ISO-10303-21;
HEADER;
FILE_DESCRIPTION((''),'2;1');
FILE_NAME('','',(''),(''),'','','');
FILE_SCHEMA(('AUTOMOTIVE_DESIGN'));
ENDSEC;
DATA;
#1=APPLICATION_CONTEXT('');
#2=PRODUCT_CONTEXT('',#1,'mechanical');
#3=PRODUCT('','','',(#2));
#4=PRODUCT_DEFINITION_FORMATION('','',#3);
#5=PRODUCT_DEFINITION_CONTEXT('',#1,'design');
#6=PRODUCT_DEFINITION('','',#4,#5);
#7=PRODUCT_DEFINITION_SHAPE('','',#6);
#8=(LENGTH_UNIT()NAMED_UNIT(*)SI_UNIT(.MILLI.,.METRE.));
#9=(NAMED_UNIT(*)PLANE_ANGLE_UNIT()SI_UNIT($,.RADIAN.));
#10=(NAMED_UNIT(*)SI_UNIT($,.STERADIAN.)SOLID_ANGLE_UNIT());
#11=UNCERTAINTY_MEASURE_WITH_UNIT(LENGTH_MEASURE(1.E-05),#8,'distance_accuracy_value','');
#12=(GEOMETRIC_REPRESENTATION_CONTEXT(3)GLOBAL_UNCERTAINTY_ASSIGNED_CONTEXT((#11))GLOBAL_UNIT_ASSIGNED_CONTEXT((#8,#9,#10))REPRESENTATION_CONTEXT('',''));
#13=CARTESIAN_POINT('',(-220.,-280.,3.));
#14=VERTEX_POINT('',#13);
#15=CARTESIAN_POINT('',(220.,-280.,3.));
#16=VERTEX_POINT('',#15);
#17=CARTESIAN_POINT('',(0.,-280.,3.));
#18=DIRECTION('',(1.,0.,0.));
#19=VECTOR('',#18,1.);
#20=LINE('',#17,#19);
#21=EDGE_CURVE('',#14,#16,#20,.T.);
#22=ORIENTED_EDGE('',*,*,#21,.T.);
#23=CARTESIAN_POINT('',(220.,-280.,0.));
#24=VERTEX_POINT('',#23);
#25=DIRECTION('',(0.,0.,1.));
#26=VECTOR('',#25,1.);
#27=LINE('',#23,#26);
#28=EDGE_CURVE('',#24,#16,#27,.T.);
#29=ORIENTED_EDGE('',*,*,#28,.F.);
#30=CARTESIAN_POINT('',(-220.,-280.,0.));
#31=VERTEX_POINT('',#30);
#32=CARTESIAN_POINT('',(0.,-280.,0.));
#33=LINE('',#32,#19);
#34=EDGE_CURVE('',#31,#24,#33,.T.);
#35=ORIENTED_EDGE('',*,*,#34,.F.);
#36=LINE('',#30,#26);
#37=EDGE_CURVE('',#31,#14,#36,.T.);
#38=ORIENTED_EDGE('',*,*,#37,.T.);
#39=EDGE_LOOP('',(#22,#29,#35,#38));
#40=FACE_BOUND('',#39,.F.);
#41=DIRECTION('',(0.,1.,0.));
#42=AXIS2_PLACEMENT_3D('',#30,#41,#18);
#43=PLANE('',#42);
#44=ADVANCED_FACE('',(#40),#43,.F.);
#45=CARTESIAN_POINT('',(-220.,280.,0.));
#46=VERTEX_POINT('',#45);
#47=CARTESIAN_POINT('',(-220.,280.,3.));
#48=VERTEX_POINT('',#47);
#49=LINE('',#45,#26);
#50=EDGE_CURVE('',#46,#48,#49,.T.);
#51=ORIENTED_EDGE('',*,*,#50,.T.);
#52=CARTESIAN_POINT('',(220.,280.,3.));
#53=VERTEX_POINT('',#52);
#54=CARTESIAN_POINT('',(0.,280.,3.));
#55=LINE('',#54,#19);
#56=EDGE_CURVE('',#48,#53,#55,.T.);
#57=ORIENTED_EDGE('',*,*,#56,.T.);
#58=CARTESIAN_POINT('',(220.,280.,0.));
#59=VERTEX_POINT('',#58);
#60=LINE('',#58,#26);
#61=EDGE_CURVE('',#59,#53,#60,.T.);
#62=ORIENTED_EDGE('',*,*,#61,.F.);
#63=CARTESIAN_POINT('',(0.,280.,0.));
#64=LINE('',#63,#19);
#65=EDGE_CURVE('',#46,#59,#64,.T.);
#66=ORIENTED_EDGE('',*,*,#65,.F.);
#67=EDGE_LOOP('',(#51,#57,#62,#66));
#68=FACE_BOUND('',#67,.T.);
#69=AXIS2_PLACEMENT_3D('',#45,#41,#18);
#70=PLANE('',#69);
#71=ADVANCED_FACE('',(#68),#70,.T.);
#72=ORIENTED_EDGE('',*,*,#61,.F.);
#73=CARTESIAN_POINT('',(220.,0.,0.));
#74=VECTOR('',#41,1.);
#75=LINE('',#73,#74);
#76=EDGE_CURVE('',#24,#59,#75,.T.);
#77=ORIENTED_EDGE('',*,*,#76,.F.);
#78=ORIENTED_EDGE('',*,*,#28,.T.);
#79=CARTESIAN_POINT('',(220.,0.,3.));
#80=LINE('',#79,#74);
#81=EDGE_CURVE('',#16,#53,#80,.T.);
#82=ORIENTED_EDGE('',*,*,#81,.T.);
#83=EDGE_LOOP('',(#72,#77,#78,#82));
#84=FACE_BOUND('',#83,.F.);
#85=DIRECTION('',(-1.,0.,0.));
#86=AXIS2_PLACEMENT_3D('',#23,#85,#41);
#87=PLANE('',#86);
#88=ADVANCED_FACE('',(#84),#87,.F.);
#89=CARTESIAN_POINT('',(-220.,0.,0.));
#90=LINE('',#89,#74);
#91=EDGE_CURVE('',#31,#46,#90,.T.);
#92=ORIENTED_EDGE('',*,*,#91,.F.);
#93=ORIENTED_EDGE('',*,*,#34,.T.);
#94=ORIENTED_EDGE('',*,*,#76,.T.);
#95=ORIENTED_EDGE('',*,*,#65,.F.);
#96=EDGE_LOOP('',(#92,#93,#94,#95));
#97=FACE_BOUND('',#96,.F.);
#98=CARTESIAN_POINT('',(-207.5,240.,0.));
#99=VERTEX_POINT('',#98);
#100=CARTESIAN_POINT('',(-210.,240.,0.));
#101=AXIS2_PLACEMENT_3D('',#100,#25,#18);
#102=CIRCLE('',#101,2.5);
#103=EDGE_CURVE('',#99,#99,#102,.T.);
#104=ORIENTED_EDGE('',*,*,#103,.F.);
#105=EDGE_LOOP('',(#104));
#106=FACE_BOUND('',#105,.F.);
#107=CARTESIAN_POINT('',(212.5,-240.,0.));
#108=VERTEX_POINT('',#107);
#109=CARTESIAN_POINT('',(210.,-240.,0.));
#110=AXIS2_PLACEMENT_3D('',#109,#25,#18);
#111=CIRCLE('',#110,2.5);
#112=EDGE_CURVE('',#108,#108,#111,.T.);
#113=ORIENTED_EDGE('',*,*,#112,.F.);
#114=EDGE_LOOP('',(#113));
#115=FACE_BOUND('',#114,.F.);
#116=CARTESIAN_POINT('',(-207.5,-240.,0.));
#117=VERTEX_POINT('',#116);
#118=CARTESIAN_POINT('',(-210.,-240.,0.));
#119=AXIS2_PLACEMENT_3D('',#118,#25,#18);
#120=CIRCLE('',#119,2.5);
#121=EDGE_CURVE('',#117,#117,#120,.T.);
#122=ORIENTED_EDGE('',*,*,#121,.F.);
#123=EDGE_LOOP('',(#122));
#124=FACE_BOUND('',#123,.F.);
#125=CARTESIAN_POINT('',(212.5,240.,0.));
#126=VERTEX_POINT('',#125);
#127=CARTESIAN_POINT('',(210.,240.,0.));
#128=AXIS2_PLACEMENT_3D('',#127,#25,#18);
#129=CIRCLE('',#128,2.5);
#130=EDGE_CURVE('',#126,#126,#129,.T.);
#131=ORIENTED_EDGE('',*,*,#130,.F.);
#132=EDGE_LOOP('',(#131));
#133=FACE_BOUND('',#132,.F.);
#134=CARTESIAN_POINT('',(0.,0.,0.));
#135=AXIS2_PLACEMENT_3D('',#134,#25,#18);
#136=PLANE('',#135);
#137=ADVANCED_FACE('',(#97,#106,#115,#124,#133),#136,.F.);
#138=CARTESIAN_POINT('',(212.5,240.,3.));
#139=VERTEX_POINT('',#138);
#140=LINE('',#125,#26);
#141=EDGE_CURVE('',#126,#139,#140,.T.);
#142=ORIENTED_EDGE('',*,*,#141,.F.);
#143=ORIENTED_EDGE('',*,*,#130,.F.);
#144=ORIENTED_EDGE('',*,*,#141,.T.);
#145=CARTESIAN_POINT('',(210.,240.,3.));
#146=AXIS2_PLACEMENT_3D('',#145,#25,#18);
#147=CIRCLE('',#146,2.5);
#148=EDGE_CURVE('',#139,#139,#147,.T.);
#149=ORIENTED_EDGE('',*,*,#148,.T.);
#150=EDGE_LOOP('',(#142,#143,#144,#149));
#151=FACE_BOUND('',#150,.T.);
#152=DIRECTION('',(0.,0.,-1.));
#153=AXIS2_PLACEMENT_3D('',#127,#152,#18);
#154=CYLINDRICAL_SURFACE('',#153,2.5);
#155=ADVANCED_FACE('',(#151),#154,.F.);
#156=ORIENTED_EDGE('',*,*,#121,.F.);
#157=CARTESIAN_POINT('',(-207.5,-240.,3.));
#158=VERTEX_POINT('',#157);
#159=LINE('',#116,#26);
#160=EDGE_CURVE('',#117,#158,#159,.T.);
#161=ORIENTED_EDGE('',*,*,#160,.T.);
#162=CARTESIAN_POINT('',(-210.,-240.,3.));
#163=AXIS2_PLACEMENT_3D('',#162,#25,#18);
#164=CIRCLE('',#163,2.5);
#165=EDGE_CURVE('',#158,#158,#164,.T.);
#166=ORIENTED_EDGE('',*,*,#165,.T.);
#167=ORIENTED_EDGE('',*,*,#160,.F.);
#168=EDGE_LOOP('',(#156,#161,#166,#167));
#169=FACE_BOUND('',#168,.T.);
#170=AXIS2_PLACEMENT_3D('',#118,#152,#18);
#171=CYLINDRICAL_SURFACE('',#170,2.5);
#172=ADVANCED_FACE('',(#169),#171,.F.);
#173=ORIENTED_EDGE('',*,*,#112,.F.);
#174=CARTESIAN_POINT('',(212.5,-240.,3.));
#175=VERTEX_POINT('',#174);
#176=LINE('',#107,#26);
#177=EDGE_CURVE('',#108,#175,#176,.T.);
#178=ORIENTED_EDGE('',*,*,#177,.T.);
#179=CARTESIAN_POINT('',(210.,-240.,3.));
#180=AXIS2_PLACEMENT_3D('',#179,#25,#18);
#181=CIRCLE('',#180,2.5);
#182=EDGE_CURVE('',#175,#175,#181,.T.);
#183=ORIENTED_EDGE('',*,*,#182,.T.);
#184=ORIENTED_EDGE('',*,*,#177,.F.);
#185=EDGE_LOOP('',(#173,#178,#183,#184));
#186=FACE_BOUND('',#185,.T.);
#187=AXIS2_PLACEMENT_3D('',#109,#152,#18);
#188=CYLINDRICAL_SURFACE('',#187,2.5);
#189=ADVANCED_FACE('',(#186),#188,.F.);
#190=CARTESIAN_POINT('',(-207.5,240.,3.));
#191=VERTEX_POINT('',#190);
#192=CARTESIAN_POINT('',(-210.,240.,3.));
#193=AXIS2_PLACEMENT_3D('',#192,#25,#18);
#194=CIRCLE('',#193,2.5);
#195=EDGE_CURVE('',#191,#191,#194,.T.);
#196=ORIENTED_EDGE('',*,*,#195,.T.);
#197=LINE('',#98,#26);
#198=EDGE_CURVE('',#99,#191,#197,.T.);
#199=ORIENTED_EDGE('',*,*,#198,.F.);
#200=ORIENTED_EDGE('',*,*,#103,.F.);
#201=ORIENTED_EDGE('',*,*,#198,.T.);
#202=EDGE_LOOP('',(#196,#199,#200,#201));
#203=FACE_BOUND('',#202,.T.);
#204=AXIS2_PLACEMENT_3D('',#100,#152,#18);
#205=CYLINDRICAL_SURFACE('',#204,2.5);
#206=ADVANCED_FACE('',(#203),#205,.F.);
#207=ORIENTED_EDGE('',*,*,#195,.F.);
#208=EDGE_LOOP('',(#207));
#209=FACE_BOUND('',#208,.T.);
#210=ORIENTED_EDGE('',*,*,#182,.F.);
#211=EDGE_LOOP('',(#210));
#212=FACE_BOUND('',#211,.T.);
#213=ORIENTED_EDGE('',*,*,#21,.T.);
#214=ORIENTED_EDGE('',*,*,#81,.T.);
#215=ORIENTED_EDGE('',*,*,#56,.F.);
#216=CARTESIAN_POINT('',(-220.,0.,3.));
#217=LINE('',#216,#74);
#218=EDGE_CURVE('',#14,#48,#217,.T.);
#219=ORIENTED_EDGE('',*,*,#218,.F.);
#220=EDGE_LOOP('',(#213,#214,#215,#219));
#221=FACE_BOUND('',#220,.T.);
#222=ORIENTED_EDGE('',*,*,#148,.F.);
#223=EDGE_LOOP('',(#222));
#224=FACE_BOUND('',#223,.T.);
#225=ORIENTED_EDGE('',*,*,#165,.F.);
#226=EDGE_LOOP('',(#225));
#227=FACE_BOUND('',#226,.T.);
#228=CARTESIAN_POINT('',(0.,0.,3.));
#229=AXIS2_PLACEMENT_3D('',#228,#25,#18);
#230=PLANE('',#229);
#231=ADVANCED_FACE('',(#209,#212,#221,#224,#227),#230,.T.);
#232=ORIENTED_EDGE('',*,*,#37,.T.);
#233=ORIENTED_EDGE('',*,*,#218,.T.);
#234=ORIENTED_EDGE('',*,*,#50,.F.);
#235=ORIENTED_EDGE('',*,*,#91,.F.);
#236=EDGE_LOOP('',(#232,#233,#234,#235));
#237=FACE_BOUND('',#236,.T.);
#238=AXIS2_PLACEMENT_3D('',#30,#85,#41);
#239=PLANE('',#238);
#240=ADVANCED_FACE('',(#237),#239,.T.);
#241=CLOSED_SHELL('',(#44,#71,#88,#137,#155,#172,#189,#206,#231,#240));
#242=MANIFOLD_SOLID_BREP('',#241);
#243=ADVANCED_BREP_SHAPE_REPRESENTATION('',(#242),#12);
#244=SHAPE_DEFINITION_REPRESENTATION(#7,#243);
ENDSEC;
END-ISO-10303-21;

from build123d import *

# Parameters (mm, degrees)
SKETCH_W  = 440
SKETCH_H  = 560
SKETCH_R  = 2.5
PAD_DEPTH = 3


with BuildPart() as part:
    # Sketch → Pad (new body)
    with BuildSketch(Plane.XY):
        Rectangle(SKETCH_W, SKETCH_H)
        with Locations((-210, 240)):
            Circle(SKETCH_R, mode=Mode.SUBTRACT)
        with Locations((210, 240)):
            Circle(SKETCH_R, mode=Mode.SUBTRACT)
        with Locations((-210, -240)):
            Circle(SKETCH_R, mode=Mode.SUBTRACT)
        with Locations((210, -240)):
            Circle(SKETCH_R, mode=Mode.SUBTRACT)
    extrude(amount=PAD_DEPTH)


solid = part.part
